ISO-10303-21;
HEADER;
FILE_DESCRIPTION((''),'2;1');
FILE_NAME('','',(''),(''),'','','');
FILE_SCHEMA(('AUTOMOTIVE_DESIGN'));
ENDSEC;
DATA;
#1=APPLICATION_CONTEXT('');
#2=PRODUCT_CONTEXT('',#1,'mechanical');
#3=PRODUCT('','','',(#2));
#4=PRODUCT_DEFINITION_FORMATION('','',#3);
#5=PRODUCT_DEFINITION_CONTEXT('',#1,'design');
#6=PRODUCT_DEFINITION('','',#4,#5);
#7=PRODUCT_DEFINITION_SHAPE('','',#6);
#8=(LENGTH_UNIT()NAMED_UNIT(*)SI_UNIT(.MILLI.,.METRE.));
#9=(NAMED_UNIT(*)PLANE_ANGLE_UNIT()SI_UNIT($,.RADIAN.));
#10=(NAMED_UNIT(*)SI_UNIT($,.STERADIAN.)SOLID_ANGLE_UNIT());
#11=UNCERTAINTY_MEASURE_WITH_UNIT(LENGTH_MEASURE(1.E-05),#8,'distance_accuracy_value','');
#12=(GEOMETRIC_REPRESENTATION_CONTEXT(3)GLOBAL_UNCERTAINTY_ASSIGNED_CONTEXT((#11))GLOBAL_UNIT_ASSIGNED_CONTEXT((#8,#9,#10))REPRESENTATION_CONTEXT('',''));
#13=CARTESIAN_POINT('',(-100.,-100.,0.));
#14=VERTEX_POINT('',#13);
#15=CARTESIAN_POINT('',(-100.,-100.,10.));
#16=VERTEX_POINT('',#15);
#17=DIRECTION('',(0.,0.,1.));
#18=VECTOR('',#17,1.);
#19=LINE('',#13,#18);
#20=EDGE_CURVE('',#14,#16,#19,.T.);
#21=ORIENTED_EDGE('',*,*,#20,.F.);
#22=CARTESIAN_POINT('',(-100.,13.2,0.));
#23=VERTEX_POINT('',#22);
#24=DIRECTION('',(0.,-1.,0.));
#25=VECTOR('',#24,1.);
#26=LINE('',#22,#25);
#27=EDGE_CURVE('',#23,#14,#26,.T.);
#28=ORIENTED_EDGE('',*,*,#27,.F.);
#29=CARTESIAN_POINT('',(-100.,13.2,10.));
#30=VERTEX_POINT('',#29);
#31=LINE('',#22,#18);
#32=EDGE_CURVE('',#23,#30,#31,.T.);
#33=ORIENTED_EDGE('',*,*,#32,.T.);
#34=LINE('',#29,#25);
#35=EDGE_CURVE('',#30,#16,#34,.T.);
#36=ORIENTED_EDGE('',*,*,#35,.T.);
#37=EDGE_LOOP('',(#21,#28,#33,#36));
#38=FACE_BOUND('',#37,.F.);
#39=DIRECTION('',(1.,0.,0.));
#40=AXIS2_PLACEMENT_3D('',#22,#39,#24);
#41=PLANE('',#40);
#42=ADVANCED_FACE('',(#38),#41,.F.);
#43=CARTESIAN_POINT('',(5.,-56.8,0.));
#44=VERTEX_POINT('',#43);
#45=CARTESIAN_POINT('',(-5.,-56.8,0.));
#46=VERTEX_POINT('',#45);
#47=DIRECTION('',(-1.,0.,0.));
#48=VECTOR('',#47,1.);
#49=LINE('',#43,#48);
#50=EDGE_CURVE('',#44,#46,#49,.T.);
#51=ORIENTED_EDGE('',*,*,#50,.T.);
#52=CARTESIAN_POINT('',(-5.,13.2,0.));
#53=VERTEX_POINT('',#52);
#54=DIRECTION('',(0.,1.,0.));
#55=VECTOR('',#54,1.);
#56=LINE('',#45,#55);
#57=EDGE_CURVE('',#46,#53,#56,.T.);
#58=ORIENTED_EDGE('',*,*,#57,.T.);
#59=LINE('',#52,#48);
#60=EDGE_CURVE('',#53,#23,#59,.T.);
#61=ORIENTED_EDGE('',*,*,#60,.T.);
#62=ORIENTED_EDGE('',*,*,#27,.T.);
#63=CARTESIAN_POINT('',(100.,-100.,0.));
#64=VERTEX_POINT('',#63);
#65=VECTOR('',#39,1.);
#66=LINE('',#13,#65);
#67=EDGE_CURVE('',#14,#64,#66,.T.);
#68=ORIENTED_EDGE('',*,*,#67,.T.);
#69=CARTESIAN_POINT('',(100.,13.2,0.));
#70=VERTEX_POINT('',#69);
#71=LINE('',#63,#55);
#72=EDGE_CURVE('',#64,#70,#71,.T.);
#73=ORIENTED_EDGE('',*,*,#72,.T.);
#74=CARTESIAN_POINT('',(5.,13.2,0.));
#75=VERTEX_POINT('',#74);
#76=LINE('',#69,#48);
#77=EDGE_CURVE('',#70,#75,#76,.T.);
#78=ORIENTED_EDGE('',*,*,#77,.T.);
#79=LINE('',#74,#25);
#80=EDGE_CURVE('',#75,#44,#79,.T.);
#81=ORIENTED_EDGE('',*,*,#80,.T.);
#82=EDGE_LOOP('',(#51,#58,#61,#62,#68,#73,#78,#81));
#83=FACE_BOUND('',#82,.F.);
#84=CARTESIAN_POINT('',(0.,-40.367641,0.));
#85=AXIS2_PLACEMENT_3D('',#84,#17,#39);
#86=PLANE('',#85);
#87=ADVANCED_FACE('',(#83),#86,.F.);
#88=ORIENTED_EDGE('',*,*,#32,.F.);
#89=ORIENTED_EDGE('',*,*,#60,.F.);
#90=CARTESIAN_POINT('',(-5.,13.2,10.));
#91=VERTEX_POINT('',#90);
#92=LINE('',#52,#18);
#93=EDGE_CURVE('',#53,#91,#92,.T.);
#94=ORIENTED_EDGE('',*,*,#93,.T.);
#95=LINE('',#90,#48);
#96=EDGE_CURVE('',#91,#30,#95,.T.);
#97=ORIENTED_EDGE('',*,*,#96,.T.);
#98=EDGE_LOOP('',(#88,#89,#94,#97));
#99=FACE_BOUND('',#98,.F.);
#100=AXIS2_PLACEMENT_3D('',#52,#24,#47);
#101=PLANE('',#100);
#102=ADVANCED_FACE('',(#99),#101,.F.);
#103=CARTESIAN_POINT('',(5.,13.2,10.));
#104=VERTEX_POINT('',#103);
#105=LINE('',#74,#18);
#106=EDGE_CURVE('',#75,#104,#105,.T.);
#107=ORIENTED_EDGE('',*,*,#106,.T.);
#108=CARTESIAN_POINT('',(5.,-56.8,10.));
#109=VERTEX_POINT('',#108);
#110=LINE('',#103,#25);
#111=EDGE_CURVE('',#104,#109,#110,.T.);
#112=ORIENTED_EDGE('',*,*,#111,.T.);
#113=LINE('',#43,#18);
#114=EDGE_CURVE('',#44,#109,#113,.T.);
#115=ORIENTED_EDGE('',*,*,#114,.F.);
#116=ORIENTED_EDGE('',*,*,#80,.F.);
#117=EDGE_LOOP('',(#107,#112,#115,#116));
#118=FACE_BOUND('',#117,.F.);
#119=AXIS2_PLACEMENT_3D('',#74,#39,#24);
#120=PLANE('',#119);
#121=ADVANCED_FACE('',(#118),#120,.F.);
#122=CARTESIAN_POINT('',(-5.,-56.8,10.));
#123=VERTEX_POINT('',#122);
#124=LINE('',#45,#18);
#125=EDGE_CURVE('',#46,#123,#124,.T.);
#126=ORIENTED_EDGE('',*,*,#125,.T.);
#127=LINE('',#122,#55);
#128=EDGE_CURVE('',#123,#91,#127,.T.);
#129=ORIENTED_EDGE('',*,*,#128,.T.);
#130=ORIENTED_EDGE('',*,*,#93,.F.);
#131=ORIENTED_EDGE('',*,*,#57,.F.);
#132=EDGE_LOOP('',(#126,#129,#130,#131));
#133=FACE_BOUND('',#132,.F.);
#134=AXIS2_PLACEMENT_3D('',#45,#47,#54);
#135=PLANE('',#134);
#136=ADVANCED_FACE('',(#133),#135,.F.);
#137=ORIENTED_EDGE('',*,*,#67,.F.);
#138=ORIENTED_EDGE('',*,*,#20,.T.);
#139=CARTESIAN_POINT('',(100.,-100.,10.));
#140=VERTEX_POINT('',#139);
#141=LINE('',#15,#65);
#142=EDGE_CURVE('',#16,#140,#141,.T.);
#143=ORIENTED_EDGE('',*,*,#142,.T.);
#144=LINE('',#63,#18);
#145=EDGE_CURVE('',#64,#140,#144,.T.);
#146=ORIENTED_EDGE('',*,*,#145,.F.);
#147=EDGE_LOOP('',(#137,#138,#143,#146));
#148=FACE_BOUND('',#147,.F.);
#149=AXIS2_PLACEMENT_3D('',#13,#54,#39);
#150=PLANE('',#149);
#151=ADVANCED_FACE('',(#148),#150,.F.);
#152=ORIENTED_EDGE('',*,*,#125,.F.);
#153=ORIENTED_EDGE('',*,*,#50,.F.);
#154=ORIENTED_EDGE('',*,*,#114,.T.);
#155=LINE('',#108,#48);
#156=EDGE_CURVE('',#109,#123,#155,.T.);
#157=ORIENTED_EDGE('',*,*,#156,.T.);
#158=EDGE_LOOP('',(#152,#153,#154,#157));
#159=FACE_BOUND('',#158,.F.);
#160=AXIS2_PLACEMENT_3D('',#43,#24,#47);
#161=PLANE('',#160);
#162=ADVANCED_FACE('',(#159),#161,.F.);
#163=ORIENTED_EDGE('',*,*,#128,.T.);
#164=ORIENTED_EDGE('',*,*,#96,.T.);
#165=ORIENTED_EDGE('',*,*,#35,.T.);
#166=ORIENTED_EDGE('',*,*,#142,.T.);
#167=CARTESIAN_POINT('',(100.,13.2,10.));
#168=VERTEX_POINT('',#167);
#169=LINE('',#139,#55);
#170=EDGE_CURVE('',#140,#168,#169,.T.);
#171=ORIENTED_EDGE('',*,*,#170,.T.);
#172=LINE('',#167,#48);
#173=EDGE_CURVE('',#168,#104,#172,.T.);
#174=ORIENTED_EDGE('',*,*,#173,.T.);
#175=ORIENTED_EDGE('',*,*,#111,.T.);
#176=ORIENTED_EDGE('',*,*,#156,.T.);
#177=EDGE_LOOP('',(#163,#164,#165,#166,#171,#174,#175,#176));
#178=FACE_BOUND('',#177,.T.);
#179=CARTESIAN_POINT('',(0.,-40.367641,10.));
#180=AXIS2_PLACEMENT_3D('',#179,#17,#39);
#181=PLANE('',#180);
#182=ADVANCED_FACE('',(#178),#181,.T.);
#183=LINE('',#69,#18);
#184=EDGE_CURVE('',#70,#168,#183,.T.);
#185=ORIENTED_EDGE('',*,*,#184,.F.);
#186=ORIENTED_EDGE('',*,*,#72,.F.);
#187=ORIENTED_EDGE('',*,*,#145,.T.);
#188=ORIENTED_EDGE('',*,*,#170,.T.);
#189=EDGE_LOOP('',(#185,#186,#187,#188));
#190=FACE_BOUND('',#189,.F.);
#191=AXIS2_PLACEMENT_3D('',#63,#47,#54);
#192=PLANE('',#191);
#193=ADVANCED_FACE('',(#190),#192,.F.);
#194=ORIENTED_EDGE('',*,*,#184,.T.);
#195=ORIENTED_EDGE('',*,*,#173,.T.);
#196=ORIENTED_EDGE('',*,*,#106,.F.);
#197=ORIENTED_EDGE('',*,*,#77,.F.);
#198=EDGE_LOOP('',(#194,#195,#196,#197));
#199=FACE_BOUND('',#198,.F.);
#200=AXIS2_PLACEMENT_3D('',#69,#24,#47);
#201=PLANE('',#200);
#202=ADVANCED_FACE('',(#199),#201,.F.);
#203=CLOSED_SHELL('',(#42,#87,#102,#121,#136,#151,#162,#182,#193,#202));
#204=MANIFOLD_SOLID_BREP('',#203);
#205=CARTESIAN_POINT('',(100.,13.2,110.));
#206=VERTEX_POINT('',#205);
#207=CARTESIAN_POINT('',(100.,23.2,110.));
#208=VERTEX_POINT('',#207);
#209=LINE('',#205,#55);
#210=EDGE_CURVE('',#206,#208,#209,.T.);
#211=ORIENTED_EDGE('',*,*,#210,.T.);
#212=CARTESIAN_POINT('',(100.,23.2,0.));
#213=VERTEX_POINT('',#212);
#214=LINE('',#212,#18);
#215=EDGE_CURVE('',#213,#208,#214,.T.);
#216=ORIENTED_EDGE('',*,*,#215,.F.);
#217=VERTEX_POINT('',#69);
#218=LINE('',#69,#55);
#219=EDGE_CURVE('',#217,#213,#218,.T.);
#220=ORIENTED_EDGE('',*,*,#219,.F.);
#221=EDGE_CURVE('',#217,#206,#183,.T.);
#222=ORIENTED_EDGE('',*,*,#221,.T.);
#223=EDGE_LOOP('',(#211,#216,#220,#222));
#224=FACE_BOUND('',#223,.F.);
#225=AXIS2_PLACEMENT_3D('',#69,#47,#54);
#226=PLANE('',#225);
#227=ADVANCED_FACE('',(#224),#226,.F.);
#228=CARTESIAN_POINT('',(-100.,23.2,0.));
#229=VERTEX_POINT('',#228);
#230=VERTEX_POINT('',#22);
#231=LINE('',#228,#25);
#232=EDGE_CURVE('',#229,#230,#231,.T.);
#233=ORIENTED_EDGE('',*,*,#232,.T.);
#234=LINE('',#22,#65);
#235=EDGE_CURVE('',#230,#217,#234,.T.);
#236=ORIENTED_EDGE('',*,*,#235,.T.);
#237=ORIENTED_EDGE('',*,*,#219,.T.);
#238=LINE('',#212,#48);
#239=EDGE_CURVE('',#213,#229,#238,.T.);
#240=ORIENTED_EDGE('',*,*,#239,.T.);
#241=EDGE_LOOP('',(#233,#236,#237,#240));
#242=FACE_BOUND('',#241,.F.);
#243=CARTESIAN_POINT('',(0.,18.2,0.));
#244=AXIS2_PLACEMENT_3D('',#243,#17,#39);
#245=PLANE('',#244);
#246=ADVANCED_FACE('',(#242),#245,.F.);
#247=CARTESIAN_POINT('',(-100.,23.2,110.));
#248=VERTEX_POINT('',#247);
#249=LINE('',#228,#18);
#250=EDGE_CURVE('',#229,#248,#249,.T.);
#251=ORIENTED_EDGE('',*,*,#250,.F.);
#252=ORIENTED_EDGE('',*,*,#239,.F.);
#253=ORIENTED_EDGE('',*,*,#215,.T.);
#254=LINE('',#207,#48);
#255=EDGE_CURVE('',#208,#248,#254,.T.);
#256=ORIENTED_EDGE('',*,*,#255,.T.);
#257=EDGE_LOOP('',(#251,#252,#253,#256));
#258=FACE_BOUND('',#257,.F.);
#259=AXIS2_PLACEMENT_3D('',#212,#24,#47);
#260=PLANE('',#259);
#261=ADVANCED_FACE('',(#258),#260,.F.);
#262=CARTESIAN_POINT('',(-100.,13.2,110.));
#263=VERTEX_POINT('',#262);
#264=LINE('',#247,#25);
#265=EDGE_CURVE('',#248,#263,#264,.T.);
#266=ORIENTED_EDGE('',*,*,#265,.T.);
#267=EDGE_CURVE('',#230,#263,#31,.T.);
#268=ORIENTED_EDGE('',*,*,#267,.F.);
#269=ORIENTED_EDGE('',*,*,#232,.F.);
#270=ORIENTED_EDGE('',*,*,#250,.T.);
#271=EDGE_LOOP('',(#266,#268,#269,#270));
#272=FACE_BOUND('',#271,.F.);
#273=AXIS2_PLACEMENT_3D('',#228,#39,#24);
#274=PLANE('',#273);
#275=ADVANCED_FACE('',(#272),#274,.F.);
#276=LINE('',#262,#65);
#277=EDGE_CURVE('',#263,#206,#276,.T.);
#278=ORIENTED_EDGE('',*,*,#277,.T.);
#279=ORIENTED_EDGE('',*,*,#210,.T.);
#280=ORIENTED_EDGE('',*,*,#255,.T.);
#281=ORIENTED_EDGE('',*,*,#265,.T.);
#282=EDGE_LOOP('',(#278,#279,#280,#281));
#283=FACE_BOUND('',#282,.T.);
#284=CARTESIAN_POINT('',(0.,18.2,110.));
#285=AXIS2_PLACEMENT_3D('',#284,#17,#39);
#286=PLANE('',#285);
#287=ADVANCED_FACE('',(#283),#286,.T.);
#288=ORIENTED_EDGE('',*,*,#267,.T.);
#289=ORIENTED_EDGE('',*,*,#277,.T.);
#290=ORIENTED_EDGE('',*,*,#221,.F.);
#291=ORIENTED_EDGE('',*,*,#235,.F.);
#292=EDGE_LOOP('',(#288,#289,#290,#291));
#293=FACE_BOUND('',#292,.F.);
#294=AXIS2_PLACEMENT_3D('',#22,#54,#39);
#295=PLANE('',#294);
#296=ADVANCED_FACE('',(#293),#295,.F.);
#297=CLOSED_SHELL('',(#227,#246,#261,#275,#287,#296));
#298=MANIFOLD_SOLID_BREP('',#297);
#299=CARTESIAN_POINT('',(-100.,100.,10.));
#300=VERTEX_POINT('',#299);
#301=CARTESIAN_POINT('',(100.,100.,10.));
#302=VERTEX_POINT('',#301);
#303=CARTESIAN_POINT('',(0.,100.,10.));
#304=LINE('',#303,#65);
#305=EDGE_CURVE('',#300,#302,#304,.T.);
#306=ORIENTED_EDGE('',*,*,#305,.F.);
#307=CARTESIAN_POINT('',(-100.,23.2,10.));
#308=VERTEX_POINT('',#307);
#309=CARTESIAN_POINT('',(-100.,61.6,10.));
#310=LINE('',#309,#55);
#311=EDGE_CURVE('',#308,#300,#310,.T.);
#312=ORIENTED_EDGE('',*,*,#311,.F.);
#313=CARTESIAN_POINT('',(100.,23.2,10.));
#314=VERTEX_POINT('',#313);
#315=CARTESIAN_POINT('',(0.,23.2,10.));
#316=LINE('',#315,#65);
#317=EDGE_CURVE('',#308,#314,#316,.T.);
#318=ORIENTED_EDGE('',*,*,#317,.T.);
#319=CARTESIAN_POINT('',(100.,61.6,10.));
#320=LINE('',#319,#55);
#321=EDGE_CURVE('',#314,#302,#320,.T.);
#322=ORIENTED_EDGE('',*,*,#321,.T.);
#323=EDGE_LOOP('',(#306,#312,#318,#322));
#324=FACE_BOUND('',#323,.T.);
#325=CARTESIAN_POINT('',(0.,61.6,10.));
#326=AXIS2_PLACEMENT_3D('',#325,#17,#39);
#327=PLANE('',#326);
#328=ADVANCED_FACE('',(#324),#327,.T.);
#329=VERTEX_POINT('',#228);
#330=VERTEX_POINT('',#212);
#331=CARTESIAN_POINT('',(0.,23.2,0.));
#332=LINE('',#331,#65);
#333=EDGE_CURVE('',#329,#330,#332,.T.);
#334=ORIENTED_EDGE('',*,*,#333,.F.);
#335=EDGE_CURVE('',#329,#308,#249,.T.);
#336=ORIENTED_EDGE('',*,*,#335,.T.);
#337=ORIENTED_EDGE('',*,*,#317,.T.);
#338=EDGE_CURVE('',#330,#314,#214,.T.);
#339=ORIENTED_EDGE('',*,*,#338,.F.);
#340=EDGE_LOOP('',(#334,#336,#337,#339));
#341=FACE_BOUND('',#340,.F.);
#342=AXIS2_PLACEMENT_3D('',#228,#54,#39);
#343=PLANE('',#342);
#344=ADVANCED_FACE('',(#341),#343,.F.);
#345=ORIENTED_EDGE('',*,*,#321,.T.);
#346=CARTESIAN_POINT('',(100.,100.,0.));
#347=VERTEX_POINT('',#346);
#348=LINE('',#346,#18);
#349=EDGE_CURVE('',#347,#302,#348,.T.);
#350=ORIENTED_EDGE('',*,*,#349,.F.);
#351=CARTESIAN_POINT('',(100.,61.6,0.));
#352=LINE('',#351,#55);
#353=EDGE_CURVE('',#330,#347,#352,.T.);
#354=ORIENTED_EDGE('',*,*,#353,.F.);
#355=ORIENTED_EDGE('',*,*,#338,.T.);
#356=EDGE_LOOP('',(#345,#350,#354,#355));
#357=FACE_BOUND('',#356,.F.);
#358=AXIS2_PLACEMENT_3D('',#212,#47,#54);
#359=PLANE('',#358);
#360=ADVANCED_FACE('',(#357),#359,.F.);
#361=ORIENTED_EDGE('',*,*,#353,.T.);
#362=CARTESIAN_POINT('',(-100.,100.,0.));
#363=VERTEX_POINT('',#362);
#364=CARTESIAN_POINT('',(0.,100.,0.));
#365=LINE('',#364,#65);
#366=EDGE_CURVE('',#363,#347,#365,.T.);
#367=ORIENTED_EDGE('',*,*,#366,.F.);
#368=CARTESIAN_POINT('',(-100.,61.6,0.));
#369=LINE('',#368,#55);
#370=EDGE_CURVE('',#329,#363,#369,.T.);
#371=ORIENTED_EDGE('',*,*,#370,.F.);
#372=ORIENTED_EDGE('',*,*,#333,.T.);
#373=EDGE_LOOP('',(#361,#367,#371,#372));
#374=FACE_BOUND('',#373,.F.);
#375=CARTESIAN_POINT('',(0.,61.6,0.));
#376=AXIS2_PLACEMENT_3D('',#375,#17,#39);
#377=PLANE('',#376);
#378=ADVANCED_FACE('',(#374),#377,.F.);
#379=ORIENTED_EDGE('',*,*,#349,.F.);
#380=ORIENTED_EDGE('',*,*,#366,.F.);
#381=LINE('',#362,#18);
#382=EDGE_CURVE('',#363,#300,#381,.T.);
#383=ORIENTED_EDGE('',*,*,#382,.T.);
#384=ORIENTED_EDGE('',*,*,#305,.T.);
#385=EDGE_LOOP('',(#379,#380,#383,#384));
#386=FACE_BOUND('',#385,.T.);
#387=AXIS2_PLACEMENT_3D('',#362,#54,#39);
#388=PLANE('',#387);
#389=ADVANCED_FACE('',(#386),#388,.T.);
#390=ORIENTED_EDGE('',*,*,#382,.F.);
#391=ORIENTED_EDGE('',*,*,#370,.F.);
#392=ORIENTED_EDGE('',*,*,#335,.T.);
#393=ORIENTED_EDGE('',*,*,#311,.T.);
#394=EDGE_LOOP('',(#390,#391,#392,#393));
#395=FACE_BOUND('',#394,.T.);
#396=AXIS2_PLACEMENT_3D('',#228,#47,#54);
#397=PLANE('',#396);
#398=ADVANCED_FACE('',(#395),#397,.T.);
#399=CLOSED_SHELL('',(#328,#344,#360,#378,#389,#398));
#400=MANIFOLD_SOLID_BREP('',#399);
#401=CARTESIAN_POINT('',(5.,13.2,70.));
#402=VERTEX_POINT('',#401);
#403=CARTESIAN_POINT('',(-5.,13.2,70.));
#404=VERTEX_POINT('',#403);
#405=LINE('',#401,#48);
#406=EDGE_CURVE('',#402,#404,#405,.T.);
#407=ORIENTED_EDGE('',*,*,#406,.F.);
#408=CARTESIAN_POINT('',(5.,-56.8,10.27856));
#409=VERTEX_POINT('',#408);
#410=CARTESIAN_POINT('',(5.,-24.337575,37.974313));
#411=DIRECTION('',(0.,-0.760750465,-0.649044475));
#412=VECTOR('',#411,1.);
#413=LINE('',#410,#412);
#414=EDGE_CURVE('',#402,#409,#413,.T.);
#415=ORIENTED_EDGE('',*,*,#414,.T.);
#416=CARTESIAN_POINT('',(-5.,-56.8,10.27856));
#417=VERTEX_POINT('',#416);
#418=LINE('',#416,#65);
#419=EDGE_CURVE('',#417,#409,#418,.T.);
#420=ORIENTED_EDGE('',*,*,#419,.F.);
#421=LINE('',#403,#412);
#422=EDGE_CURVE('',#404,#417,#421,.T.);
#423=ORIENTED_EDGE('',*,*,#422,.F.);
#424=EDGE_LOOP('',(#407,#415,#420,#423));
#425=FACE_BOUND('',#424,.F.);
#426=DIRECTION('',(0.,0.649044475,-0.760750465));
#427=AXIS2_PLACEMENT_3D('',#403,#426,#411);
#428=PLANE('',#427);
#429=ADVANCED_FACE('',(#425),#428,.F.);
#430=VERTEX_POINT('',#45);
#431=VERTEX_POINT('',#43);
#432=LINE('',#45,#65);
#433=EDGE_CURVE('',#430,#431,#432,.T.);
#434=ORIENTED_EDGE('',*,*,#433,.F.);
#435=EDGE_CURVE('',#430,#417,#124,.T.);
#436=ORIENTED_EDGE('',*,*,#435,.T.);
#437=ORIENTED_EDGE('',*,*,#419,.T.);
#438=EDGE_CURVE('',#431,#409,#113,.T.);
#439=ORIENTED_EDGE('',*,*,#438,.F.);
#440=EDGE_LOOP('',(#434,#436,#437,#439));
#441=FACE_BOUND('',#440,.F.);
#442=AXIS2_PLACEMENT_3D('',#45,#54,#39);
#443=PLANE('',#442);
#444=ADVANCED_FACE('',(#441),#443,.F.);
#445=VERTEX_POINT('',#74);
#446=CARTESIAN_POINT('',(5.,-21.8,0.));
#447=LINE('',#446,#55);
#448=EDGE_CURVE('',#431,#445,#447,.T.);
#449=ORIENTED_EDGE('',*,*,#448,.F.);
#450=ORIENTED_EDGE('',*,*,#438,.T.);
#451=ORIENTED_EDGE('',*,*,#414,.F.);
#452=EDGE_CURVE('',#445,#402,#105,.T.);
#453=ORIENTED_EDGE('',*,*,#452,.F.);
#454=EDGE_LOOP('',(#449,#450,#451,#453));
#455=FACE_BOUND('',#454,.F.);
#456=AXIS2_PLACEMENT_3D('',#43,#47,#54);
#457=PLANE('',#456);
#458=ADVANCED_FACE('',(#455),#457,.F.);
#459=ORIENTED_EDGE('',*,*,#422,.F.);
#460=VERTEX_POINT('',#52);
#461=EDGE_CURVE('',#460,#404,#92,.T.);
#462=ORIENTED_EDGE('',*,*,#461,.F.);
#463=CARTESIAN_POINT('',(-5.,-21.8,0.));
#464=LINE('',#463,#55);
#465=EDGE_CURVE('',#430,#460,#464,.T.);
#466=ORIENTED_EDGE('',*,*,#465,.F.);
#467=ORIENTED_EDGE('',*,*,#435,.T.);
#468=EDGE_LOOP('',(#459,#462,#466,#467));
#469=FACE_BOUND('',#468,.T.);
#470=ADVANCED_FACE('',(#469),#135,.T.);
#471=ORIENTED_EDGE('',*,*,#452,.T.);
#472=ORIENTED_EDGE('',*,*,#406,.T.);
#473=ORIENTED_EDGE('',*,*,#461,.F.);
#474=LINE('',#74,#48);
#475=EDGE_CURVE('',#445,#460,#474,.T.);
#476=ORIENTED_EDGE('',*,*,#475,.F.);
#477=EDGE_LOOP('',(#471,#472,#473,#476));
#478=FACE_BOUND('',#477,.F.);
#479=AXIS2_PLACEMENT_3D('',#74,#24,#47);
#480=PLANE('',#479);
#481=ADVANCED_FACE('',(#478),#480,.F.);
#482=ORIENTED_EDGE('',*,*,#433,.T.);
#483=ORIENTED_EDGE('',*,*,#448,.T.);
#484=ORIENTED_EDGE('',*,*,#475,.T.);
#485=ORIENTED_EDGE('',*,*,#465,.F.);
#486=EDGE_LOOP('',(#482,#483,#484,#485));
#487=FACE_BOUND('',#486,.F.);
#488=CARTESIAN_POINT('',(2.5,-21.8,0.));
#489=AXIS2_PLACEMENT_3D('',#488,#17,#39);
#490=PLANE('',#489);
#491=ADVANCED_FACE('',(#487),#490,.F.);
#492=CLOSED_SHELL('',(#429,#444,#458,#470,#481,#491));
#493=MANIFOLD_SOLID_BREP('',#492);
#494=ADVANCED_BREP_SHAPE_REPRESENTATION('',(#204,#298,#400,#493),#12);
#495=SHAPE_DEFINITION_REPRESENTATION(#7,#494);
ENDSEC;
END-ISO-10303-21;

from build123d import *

# Parameters (mm, degrees)
F0_W     = 200
F0_H     = 76.8
F1_DEPTH = 10
F2_DEPTH = 110
F0_W_2   = 5
F0_H_2   = 70
F3_DEPTH = 70
F5_DEPTH = 100


with BuildPart() as f1:
    # F0 (on Top) → F1 (new body)
    with BuildSketch(Plane.XY):
        with Locations((0, 61.6)):
            Rectangle(F0_W, F0_H)
        Polygon((-20.44335, 13.2), (-100, 13.2), (-100, -100), (100, -100), (100, 13.2), (25.435627, 13.2), (5, 13.2), (5, -56.8), (0, -56.8), (-5, -56.8), (-5, 13.2), align=None)
    extrude(amount=F1_DEPTH)


with BuildPart() as f2:
    # F0 (on Top) → F2 (new body)
    with BuildSketch(Plane.XY):
        Polygon((100, 23.2), (-100, 23.2), (-100, 13.2), (-20.44335, 13.2), (-5, 13.2), (0, 13.2), (5, 13.2), (25.435627, 13.2), (100, 13.2), align=None)
    extrude(amount=F2_DEPTH)


with BuildPart() as f3:
    # F0 (on Top) → F3 (new body)
    with BuildSketch(Plane.XY):
        with Locations((2.5, -21.8)):
            Rectangle(F0_W_2, F0_H_2)
        with Locations((-2.5, -21.8)):
            Rectangle(F0_W_2, F0_H_2)
    extrude(amount=F3_DEPTH)

    # F4 (on face) → F5 (cut)
    with BuildSketch(Plane(origin=(-5, 0, 0), x_dir=(0, -1, 0), z_dir=(-1, 0, 0))):
        Polygon((56.8, 70), (-13.2, 70), (56.8, 10.27856), align=None)
    extrude(amount=-F5_DEPTH, mode=Mode.SUBTRACT)


solid = Compound([f1.part, f2.part, f3.part])
